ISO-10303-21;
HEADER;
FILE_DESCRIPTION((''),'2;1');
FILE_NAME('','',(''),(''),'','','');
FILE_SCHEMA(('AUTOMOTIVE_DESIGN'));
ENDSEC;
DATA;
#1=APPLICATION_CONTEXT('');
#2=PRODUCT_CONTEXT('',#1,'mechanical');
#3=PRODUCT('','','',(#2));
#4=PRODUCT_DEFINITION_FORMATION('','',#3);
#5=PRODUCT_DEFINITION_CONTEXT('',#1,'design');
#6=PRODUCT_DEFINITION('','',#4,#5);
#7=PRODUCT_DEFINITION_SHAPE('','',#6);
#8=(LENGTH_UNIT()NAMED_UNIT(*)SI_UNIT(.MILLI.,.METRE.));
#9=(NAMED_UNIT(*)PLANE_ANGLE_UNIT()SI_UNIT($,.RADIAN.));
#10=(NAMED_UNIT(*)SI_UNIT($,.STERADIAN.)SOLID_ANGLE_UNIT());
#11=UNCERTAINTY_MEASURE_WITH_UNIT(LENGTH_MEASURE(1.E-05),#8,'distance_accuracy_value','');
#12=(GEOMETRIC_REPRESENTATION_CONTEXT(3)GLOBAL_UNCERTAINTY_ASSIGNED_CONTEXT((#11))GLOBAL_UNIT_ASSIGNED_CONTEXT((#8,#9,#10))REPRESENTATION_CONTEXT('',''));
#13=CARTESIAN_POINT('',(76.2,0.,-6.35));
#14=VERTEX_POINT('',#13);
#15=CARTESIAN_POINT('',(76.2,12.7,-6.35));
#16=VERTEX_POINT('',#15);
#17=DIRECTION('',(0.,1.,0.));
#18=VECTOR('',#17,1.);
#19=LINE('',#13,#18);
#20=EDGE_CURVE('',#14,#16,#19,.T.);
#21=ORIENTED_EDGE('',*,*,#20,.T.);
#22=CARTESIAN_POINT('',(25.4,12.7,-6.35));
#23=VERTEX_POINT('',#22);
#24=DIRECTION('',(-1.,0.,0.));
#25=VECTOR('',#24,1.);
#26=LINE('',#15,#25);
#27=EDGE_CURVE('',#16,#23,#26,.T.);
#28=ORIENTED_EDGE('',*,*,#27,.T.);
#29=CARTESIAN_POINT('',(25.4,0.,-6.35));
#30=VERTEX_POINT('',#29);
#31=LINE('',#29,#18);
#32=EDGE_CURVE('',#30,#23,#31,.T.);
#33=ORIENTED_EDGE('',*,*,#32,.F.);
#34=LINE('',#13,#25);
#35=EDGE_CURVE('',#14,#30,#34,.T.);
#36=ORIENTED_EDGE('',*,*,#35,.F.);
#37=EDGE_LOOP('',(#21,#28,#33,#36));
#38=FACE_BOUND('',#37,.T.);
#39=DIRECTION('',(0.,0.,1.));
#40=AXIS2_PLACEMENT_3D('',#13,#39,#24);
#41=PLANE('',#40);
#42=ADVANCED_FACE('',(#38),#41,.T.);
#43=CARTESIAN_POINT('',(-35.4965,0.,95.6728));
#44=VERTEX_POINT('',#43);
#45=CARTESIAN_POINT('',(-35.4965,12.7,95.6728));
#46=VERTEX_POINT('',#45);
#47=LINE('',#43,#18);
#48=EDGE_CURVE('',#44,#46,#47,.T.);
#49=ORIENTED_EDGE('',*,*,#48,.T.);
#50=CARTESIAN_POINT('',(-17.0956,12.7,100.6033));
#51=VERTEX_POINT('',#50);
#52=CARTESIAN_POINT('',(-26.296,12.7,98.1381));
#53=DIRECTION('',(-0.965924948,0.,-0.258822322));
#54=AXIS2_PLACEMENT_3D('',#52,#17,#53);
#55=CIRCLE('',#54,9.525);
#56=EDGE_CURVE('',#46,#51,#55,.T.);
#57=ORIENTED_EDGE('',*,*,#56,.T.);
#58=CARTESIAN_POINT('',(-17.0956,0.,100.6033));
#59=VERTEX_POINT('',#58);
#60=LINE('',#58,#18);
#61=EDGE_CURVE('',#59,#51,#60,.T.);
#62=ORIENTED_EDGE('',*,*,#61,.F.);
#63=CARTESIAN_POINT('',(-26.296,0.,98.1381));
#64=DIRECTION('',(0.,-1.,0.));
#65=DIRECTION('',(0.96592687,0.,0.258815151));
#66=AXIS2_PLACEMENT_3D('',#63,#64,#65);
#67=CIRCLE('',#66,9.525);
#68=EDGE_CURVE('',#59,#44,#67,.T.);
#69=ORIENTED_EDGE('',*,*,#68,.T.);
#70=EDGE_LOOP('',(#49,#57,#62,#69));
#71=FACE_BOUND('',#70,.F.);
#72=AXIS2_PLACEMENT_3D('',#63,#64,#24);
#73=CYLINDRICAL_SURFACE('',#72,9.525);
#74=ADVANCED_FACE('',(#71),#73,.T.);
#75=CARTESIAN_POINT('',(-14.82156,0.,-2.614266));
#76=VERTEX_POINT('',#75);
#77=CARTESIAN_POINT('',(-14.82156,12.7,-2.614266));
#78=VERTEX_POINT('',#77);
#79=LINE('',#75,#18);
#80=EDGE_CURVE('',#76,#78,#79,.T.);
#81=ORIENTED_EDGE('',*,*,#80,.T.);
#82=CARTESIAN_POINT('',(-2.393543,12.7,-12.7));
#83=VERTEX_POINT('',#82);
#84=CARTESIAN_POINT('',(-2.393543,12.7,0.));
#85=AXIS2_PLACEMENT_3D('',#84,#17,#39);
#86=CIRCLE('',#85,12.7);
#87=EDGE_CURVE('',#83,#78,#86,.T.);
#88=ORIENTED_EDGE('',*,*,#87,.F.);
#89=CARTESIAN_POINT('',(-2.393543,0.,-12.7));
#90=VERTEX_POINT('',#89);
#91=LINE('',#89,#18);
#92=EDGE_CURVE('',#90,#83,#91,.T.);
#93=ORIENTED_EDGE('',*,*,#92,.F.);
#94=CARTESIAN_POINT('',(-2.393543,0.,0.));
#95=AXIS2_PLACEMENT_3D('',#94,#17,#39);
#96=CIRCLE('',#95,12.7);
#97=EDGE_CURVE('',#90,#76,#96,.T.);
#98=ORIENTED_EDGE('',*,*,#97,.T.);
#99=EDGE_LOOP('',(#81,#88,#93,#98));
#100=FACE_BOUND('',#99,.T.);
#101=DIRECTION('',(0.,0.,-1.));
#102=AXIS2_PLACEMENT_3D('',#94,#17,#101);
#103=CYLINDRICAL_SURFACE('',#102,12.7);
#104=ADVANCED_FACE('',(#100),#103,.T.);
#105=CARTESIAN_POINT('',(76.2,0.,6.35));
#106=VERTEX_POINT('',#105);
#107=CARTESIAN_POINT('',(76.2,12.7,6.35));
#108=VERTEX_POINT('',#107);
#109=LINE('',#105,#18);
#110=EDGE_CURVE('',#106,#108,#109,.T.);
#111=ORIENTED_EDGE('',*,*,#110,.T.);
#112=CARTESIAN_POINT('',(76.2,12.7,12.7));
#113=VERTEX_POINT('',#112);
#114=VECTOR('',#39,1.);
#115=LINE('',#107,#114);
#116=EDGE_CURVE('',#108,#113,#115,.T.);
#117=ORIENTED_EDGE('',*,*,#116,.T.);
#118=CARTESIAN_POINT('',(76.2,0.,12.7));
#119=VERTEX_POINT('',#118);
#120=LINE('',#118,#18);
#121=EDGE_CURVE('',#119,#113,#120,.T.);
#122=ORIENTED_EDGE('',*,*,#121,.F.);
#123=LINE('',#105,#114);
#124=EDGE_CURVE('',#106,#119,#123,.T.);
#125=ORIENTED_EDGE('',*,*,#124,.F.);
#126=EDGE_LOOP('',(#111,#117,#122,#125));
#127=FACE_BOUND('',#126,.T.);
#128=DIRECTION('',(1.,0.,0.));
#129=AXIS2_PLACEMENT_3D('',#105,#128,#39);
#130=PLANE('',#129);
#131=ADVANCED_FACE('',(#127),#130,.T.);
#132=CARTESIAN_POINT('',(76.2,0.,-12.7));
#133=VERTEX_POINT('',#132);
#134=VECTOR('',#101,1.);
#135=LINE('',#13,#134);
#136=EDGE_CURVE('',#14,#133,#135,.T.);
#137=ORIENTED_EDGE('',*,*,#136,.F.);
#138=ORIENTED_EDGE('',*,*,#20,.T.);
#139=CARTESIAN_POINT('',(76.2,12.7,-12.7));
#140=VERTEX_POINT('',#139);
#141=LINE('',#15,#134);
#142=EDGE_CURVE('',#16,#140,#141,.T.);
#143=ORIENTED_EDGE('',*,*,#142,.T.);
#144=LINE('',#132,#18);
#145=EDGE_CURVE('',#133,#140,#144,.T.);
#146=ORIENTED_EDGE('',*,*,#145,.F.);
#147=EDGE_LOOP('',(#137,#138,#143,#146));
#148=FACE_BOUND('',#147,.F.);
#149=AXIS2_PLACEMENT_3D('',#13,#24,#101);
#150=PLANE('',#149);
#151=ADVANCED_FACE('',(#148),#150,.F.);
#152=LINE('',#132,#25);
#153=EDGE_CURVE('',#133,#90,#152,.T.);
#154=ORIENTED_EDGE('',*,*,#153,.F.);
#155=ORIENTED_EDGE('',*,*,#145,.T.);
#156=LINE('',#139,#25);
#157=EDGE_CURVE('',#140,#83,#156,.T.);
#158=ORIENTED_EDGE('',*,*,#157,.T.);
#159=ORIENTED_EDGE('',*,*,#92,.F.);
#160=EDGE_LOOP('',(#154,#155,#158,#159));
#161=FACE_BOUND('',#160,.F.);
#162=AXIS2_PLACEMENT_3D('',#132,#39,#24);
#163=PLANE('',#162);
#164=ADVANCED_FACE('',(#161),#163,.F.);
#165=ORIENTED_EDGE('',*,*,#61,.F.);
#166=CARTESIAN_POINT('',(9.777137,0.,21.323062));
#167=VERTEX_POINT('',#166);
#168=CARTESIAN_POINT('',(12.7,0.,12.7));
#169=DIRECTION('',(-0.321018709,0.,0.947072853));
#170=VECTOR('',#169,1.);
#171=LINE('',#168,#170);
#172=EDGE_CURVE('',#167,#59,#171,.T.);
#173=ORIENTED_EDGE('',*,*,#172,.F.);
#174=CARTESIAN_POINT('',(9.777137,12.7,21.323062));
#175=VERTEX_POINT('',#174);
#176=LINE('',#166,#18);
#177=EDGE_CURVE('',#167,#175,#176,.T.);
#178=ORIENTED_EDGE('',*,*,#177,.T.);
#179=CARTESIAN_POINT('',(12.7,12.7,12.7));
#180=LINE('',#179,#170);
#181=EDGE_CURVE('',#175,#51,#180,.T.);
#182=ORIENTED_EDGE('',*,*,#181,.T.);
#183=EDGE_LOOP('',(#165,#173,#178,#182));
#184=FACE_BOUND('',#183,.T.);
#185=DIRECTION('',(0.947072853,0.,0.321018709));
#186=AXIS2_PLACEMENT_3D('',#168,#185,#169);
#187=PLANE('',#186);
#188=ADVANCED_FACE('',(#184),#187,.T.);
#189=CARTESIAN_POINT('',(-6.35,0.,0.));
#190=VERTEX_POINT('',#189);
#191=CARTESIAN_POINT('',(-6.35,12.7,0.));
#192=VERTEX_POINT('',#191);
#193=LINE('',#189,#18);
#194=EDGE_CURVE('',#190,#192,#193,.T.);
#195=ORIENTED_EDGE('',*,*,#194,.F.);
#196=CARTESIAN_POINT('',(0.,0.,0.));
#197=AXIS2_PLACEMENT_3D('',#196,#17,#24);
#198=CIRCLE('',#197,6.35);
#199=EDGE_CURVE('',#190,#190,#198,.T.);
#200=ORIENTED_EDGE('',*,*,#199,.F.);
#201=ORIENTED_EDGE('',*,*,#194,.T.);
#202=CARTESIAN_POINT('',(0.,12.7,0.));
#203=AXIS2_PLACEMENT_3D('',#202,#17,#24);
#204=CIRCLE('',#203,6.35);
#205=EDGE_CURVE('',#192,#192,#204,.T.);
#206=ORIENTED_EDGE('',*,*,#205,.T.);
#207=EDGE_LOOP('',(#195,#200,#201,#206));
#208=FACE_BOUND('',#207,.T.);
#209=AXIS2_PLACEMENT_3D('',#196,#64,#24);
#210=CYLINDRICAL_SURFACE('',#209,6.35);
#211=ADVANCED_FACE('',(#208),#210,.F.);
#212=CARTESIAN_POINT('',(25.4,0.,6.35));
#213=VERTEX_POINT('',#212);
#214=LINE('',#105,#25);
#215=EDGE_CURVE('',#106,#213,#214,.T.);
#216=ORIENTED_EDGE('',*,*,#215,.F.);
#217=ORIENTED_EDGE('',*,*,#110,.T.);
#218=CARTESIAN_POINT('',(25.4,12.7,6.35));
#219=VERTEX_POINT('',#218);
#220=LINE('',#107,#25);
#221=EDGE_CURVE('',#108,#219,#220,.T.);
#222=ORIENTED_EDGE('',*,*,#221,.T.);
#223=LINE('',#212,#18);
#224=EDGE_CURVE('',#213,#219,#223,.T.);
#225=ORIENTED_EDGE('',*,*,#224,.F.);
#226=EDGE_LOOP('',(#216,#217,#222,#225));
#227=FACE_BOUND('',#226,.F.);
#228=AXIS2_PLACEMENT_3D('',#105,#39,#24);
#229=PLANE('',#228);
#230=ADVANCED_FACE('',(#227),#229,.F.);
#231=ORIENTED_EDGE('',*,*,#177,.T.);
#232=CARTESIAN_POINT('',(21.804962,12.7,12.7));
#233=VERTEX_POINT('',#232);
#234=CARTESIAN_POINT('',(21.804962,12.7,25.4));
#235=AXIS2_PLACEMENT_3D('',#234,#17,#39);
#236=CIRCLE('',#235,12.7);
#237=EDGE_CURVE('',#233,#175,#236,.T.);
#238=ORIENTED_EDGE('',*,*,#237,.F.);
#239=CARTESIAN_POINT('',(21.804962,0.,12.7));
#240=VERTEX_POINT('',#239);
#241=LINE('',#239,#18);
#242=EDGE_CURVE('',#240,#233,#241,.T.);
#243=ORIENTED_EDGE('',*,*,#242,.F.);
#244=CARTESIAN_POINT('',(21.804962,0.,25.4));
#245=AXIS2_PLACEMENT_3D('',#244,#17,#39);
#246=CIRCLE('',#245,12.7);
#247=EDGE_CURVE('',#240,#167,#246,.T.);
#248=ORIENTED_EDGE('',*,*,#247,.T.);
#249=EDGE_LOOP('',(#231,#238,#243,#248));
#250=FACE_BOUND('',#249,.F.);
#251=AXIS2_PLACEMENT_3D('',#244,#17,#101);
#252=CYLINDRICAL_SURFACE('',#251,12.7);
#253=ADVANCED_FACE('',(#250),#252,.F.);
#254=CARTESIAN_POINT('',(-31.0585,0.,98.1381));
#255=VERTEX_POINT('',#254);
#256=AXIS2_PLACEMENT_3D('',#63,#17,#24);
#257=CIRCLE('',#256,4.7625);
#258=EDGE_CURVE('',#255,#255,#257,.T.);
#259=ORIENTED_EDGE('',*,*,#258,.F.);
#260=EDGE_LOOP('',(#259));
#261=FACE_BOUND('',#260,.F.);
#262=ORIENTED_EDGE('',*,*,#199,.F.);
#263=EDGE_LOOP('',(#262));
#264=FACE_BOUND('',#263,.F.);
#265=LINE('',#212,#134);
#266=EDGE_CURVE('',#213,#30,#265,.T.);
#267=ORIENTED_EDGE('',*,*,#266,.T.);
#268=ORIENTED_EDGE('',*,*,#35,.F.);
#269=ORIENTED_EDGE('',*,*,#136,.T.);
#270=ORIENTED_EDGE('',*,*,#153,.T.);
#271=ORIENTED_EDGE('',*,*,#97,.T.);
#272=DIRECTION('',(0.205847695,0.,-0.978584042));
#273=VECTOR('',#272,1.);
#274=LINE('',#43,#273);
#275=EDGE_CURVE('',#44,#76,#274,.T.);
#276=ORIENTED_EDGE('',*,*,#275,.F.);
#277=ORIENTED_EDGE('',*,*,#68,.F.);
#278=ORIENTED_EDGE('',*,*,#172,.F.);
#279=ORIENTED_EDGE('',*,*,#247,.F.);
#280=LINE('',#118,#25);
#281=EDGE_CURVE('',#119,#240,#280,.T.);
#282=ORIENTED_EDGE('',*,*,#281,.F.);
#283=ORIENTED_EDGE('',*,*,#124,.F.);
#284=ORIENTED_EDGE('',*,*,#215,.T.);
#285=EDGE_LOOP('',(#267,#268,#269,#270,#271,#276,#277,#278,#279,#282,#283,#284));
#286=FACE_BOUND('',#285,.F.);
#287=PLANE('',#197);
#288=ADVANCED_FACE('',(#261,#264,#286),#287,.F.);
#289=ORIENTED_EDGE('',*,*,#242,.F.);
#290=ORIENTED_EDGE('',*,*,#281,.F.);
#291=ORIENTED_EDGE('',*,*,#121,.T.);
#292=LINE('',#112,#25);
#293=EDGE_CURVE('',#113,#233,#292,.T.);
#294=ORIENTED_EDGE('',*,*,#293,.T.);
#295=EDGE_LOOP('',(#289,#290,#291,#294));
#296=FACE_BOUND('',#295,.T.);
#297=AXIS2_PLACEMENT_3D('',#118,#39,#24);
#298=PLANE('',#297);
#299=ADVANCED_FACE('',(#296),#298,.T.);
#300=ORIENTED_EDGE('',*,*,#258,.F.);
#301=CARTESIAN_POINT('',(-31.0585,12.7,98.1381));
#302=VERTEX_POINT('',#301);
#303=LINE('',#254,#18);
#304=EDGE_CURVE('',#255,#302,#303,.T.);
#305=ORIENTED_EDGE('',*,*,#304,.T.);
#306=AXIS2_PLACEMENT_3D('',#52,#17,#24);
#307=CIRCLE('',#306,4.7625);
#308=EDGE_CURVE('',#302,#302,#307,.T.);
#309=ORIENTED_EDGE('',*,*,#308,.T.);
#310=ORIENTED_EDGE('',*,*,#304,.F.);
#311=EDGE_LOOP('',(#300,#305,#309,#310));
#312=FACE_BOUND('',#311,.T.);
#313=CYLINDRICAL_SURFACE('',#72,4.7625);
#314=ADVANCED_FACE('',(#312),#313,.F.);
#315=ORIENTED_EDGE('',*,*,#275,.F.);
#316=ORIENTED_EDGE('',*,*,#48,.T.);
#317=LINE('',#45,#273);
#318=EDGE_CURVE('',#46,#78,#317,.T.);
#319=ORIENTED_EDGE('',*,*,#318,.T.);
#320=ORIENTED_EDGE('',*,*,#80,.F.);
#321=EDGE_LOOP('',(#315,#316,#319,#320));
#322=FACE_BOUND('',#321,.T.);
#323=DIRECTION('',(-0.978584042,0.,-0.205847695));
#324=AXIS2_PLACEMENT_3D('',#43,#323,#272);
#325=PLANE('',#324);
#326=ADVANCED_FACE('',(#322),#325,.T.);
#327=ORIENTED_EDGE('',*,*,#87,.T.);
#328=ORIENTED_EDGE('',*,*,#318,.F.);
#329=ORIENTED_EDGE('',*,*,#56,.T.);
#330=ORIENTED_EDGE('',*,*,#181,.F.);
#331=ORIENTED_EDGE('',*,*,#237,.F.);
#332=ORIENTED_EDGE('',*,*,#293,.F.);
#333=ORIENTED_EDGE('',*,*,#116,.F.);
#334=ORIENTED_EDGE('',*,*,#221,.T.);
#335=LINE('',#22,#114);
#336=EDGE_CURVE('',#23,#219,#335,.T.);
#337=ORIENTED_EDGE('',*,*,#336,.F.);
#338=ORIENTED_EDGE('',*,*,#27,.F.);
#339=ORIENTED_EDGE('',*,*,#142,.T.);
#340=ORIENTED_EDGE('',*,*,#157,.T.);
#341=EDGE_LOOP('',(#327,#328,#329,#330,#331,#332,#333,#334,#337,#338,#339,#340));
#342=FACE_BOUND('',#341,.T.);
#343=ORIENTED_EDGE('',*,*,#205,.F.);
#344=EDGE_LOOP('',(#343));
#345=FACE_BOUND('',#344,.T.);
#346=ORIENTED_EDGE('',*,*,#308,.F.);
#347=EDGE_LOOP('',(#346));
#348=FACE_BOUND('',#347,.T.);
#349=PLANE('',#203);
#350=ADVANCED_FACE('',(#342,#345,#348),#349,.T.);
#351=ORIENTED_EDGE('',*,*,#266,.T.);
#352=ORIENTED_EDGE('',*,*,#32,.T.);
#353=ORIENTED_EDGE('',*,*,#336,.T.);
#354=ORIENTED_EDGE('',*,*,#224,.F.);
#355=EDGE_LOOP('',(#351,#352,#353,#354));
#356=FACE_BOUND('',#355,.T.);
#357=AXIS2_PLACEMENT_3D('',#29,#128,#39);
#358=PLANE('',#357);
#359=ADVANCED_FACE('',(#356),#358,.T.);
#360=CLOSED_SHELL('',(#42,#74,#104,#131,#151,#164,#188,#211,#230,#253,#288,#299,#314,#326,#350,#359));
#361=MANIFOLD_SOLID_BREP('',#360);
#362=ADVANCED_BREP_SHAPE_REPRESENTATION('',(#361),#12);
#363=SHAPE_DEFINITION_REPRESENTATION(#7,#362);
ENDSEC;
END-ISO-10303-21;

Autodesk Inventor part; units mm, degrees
ref_plane "YZ Plane" through (0, 0, 0) normal (1, 0, 0) x (0, 1, 0)
ref_plane "XZ Plane" through (0, 0, 0) normal (0, 1, 0) x (-1, 0, 0)
ref_plane "XY Plane" through (0, 0, 0) normal (0, 0, 1) x (1, 0, 0)
sketch "Sketch1" plane through (0, 0, 0) normal (0, 1, 0) x (-1, 0, 0)
  circle A0 centre (0, 0) radius 6.35
  line L0 (0, 0) -> (12.7, 0) construction
  line L1 (12.7, 0) -> (12.7, -12.7) construction
  line L2 (12.7, -12.7) -> (0, -12.7) construction
  line L3 (0, -12.7) -> (0, 0) construction
  line L4 (0, 0) -> (0, 130.5863) construction
  line L5 (0, 0) -> (-25.4, 0) construction
  line L6 (0, 0) -> (26.296, 98.1381) construction
  circle A1 centre (26.296, 98.1381) radius 4.7625
  line L7 (-76.2, -6.35) -> (-25.4, -6.35)
  line L8 (-25.4, -6.35) -> (-25.4, 0)
  line L9 (-76.2, 6.35) -> (-25.4, 6.35)
  line L10 (-25.4, 6.35) -> (-25.4, 0)
  circle A2 centre (26.296, 98.1381) radius 9.525
  line L11 (35.4965, 95.6728) -> (12.7, -12.7)
  line L12 (0, 0) -> (-12.7, 0) construction
  line L13 (-12.7, 0) -> (-12.7, 12.7) construction
  line L14 (-12.7, 12.7) -> (0, 12.7) construction
  line L15 (0, 12.7) -> (0, 0) construction
  line L16 (-12.7, 12.7) -> (17.0956, 100.6033)
  line L17 (-76.2, 6.35) -> (-76.2, 12.7)
  line L18 (-76.2, 12.7) -> (-12.7, 12.7)
  line L19 (-76.2, -6.35) -> (-76.2, -12.7)
  line L20 (-76.2, -12.7) -> (12.7, -12.7)
  dimension "d18" = 12.7
  dimension "d19" = 12.7
  dimension "d20" = 12.7
  dimension "d21" = 25.4
  dimension "d22" = 101.6
  dimension "d23" = 15
  dimension "d24" = 9.525
  dimension "d25" = 50.8
  dimension "d27" = 50.8
  dimension "d29" = 19.05
  dimension "d30" = 12.7
  dimension "d31" = 12.7
  dimension "d32" = 6.35
  dimension "d33" = 6.35
  dimension "d34" = 12.7
  dimension "d35" = 88.9
extrude "Extrusion3" add sketch "Sketch1" along normal blind 12.7
fillet "Fillet2" radius 12.7 2 edges at (12.7, 6.35, 12.7) (-12.7, 6.35, -12.7)
properties part number "steeringarm" material "Steel, Mild"
